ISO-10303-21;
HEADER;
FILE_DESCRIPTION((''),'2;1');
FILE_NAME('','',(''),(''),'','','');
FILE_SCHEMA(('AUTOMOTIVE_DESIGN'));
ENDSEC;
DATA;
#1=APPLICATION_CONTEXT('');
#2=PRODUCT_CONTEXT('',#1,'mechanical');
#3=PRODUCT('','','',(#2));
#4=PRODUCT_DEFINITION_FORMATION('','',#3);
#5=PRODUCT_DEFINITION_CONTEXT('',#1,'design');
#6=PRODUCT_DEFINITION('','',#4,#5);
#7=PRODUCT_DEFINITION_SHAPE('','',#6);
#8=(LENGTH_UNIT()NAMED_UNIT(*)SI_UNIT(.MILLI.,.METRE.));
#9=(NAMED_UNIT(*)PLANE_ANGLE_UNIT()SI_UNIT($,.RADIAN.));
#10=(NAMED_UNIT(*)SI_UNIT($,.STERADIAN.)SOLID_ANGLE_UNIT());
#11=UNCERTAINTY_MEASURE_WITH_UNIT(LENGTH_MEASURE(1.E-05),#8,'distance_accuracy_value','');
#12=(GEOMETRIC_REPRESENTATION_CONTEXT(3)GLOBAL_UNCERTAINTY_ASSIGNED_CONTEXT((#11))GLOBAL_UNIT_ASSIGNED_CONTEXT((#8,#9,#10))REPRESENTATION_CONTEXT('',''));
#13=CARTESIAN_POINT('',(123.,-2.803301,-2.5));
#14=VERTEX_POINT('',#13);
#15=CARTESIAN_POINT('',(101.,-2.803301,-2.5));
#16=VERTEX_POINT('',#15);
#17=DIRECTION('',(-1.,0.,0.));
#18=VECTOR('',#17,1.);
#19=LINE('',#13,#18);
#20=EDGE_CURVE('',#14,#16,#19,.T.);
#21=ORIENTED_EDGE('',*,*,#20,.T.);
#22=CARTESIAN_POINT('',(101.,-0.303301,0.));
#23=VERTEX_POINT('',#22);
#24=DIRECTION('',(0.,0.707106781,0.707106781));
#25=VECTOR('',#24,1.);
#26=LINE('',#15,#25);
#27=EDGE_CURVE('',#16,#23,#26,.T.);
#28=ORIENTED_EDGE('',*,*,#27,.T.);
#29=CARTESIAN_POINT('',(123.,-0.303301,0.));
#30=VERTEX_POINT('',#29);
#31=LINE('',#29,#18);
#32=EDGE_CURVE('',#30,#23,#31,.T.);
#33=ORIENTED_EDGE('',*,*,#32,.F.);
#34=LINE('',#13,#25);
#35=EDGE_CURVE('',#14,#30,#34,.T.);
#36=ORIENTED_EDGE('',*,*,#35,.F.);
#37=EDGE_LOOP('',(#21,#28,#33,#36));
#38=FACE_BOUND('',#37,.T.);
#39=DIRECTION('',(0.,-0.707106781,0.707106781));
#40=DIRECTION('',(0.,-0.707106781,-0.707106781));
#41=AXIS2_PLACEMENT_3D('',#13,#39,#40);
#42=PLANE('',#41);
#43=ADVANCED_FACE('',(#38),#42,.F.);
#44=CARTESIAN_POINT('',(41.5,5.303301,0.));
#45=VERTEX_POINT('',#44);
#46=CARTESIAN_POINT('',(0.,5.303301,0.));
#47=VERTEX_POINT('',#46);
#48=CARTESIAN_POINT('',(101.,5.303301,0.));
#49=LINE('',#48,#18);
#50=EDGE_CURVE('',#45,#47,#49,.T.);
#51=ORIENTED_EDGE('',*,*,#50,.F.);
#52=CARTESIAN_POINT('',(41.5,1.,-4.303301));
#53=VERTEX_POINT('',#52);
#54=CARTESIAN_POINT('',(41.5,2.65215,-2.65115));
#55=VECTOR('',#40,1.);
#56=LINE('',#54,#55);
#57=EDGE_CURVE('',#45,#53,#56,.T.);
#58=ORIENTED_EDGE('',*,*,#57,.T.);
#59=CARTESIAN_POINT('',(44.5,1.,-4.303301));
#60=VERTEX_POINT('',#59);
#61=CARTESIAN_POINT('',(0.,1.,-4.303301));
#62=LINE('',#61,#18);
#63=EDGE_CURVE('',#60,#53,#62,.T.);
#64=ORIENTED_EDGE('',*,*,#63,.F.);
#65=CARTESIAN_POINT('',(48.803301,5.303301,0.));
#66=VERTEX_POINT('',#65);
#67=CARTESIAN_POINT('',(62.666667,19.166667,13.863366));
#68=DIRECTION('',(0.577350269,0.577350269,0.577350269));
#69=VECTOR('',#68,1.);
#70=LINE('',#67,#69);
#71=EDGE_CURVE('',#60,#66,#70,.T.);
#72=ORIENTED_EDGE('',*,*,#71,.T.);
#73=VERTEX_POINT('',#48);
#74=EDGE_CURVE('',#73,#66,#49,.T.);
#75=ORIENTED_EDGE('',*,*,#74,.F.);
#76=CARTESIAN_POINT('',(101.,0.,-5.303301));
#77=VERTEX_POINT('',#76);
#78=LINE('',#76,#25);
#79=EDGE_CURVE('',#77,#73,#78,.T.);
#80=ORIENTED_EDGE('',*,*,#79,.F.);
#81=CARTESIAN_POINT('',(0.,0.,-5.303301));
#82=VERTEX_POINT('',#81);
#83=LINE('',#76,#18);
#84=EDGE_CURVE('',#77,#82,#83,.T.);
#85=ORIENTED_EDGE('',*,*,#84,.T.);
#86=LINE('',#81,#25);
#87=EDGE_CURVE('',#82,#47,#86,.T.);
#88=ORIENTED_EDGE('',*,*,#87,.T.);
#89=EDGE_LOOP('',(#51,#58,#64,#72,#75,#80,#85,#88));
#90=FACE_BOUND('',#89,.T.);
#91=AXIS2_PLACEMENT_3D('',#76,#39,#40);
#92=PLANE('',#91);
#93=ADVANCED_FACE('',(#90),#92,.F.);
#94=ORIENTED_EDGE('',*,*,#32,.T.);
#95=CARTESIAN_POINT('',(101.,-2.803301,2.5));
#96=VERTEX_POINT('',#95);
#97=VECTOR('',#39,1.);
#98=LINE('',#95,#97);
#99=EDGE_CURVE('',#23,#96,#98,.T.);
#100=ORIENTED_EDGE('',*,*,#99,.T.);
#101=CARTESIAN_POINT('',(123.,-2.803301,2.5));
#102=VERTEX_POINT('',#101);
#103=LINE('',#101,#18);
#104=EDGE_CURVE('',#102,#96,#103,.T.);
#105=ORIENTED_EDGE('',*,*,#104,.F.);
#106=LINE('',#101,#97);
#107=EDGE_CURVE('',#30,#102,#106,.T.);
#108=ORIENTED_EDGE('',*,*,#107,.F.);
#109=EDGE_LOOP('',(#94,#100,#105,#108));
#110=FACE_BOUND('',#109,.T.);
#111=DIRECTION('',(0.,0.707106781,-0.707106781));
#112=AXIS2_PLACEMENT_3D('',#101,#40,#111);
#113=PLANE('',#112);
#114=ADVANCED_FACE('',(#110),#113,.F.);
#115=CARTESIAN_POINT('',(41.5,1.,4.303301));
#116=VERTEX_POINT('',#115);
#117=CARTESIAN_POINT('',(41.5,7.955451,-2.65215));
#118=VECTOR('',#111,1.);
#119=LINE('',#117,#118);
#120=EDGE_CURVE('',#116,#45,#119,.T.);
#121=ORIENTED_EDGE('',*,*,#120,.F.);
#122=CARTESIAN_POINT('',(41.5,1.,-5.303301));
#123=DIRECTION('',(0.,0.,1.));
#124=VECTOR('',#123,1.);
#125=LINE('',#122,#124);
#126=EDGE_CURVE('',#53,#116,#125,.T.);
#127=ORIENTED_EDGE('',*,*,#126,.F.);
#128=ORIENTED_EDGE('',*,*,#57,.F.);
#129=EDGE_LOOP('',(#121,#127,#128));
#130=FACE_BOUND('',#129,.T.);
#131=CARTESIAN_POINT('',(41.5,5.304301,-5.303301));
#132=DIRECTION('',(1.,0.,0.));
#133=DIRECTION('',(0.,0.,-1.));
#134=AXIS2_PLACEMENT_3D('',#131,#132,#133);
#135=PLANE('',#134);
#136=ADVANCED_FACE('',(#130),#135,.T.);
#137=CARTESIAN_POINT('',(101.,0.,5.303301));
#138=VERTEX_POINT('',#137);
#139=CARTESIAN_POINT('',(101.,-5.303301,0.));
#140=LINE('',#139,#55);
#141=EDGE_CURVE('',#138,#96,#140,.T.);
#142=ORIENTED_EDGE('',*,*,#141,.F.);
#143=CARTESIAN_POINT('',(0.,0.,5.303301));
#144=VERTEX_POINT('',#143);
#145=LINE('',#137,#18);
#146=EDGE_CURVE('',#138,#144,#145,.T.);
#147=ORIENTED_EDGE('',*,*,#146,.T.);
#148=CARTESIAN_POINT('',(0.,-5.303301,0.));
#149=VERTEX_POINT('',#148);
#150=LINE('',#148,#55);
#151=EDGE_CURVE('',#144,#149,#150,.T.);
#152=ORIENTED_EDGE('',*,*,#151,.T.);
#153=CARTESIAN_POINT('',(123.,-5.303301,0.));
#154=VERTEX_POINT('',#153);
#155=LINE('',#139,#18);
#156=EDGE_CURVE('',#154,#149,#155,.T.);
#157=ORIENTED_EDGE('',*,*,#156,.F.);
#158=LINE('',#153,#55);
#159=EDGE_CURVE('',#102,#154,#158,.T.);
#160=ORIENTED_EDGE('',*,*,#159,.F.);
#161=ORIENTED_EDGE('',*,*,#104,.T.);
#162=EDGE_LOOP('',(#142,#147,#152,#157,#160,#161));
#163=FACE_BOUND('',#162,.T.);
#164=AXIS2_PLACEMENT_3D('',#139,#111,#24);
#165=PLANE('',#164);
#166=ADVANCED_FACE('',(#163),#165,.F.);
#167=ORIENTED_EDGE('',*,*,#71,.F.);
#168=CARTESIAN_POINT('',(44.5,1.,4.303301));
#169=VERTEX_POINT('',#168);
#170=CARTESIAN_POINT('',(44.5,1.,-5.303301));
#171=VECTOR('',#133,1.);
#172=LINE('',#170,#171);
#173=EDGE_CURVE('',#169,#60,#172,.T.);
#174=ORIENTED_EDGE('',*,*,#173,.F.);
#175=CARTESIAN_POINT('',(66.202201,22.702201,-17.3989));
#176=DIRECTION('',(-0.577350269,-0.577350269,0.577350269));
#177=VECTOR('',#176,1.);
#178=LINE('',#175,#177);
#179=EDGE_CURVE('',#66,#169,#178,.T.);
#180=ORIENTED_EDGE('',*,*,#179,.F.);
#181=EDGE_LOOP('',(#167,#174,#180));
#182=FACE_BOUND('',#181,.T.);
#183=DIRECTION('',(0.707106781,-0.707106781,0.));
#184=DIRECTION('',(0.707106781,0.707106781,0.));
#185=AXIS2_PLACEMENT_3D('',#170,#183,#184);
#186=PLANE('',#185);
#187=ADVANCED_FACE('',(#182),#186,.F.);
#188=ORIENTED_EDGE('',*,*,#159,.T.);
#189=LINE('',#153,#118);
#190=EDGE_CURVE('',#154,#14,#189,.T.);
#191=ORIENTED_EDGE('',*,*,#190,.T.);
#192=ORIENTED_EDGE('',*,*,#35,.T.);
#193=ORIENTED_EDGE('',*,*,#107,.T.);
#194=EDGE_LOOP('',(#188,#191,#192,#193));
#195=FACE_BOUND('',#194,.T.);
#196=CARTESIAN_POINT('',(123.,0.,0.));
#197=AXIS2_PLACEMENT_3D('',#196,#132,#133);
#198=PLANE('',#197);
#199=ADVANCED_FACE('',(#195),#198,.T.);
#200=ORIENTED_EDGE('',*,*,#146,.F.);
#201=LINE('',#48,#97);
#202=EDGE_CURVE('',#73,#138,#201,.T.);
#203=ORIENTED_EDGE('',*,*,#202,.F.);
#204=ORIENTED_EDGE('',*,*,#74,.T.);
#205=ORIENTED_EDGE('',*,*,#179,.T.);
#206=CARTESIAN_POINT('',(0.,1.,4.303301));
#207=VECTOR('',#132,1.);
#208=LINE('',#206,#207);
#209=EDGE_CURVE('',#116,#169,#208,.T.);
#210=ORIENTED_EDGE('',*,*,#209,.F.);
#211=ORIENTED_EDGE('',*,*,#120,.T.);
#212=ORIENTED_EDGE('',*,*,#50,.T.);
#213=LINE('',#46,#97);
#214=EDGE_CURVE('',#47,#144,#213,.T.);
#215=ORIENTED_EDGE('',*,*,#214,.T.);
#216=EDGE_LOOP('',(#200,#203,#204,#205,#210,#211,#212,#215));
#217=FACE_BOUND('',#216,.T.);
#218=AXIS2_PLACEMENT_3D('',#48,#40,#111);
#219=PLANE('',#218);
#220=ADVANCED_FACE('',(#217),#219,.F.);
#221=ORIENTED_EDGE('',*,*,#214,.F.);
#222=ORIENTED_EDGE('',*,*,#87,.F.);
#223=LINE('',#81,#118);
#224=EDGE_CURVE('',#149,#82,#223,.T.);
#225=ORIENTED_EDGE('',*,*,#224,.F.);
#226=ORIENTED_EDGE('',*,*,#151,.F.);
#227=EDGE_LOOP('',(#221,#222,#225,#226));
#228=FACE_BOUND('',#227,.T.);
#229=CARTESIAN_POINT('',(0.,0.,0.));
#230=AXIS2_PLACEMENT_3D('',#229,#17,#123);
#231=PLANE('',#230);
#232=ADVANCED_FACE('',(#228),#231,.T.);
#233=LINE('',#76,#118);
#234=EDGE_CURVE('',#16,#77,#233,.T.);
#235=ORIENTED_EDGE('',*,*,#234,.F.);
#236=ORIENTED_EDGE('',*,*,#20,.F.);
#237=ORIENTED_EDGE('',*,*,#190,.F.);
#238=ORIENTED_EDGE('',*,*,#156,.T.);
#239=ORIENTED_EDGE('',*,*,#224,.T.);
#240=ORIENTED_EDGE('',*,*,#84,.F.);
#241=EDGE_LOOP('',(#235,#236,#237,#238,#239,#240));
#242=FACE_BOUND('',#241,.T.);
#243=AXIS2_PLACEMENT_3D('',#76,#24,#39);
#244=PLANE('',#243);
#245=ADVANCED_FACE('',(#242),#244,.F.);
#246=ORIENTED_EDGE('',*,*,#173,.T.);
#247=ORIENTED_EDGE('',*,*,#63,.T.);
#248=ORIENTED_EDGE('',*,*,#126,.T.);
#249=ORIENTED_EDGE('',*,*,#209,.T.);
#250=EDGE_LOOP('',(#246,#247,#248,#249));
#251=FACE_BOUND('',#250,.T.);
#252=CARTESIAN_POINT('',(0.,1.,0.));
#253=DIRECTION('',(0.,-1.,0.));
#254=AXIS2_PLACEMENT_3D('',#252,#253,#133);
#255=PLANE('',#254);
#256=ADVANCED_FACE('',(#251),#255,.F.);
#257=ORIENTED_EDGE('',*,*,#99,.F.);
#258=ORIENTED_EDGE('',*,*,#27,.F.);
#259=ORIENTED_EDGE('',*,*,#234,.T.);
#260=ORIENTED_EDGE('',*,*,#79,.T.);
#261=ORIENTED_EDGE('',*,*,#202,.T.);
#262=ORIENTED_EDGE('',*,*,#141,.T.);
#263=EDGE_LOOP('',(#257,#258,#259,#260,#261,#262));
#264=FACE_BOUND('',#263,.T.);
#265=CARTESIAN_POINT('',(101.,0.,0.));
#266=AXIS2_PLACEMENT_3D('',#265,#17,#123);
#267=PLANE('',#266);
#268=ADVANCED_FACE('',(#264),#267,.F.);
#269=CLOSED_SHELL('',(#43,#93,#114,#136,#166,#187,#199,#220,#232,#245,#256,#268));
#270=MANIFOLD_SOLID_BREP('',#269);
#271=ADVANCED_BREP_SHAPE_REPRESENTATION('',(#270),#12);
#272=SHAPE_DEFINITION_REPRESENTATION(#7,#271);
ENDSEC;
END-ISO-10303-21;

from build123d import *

# Parameters (mm, degrees)
BOSS_EXTRUDE1_DEPTH     = 101
BOSS_EXTRUDE2_DEPTH     = 22
CUT_EXTRUDE1_REACH      = 126.228
CUT_EXTRUDE1_START      = 1
SKETCH3_W               = 3
SKETCH3_H               = 10.606601718
CUT_EXTRUDE2_DEPTH      = 124.228446391
CUT_EXTRUDE2_DEPTH_BACK = 124.228446391


with BuildPart() as part:
    # Sketch1 → Boss-Extrude1 (new body)
    with BuildSketch(Plane(origin=(0, 0, 0), x_dir=(0, 0, -1), z_dir=(1, 0, 0))):
        Polygon((5.303300859, 0), (0, 5.303300859), (-5.303300859, 0), (0, -5.303300859), align=None)
    extrude(amount=BOSS_EXTRUDE1_DEPTH)

    # Sketch2 → Boss-Extrude2 (add)
    with BuildSketch(Plane(origin=(101, 0, 0), x_dir=(0, 0, -1), z_dir=(1, 0, 0))):
        Polygon((0, -5.303300859), (-2.5, -2.803300859), (0, -0.303300859), (2.5, -2.803300859), align=None)
    extrude(amount=BOSS_EXTRUDE2_DEPTH)

    # Sketch3 → Cut-Extrude1 (cut, up to next)
    with BuildSketch(Plane(origin=(0, 0, 0), x_dir=(1, 0, 0), z_dir=(0, 1, 0)).offset(CUT_EXTRUDE1_START), mode=Mode.PRIVATE) as cut_extrude1_sk1:
        with Locations((43, 0)):
            Rectangle(SKETCH3_W, SKETCH3_H)
    cut_extrude1_tool1 = extrude(cut_extrude1_sk1.sketch, amount=CUT_EXTRUDE1_REACH, mode=Mode.PRIVATE) & part.part
    add(cut_extrude1_tool1.solids().sort_by_distance((43, 1, 0))[0], mode=Mode.SUBTRACT)

    # Sketch4 → Cut-Extrude2 (cut, two sides: drawn at the far end of the back side and taken through both)
    with BuildSketch(Plane.XY.offset(-CUT_EXTRUDE2_DEPTH_BACK)):
        Polygon((44.5, 1), (48.803300859, 5.303300859), (44.5, 5.303300859), align=None)
    extrude(amount=CUT_EXTRUDE2_DEPTH + CUT_EXTRUDE2_DEPTH_BACK, mode=Mode.SUBTRACT)


solid = part.part
